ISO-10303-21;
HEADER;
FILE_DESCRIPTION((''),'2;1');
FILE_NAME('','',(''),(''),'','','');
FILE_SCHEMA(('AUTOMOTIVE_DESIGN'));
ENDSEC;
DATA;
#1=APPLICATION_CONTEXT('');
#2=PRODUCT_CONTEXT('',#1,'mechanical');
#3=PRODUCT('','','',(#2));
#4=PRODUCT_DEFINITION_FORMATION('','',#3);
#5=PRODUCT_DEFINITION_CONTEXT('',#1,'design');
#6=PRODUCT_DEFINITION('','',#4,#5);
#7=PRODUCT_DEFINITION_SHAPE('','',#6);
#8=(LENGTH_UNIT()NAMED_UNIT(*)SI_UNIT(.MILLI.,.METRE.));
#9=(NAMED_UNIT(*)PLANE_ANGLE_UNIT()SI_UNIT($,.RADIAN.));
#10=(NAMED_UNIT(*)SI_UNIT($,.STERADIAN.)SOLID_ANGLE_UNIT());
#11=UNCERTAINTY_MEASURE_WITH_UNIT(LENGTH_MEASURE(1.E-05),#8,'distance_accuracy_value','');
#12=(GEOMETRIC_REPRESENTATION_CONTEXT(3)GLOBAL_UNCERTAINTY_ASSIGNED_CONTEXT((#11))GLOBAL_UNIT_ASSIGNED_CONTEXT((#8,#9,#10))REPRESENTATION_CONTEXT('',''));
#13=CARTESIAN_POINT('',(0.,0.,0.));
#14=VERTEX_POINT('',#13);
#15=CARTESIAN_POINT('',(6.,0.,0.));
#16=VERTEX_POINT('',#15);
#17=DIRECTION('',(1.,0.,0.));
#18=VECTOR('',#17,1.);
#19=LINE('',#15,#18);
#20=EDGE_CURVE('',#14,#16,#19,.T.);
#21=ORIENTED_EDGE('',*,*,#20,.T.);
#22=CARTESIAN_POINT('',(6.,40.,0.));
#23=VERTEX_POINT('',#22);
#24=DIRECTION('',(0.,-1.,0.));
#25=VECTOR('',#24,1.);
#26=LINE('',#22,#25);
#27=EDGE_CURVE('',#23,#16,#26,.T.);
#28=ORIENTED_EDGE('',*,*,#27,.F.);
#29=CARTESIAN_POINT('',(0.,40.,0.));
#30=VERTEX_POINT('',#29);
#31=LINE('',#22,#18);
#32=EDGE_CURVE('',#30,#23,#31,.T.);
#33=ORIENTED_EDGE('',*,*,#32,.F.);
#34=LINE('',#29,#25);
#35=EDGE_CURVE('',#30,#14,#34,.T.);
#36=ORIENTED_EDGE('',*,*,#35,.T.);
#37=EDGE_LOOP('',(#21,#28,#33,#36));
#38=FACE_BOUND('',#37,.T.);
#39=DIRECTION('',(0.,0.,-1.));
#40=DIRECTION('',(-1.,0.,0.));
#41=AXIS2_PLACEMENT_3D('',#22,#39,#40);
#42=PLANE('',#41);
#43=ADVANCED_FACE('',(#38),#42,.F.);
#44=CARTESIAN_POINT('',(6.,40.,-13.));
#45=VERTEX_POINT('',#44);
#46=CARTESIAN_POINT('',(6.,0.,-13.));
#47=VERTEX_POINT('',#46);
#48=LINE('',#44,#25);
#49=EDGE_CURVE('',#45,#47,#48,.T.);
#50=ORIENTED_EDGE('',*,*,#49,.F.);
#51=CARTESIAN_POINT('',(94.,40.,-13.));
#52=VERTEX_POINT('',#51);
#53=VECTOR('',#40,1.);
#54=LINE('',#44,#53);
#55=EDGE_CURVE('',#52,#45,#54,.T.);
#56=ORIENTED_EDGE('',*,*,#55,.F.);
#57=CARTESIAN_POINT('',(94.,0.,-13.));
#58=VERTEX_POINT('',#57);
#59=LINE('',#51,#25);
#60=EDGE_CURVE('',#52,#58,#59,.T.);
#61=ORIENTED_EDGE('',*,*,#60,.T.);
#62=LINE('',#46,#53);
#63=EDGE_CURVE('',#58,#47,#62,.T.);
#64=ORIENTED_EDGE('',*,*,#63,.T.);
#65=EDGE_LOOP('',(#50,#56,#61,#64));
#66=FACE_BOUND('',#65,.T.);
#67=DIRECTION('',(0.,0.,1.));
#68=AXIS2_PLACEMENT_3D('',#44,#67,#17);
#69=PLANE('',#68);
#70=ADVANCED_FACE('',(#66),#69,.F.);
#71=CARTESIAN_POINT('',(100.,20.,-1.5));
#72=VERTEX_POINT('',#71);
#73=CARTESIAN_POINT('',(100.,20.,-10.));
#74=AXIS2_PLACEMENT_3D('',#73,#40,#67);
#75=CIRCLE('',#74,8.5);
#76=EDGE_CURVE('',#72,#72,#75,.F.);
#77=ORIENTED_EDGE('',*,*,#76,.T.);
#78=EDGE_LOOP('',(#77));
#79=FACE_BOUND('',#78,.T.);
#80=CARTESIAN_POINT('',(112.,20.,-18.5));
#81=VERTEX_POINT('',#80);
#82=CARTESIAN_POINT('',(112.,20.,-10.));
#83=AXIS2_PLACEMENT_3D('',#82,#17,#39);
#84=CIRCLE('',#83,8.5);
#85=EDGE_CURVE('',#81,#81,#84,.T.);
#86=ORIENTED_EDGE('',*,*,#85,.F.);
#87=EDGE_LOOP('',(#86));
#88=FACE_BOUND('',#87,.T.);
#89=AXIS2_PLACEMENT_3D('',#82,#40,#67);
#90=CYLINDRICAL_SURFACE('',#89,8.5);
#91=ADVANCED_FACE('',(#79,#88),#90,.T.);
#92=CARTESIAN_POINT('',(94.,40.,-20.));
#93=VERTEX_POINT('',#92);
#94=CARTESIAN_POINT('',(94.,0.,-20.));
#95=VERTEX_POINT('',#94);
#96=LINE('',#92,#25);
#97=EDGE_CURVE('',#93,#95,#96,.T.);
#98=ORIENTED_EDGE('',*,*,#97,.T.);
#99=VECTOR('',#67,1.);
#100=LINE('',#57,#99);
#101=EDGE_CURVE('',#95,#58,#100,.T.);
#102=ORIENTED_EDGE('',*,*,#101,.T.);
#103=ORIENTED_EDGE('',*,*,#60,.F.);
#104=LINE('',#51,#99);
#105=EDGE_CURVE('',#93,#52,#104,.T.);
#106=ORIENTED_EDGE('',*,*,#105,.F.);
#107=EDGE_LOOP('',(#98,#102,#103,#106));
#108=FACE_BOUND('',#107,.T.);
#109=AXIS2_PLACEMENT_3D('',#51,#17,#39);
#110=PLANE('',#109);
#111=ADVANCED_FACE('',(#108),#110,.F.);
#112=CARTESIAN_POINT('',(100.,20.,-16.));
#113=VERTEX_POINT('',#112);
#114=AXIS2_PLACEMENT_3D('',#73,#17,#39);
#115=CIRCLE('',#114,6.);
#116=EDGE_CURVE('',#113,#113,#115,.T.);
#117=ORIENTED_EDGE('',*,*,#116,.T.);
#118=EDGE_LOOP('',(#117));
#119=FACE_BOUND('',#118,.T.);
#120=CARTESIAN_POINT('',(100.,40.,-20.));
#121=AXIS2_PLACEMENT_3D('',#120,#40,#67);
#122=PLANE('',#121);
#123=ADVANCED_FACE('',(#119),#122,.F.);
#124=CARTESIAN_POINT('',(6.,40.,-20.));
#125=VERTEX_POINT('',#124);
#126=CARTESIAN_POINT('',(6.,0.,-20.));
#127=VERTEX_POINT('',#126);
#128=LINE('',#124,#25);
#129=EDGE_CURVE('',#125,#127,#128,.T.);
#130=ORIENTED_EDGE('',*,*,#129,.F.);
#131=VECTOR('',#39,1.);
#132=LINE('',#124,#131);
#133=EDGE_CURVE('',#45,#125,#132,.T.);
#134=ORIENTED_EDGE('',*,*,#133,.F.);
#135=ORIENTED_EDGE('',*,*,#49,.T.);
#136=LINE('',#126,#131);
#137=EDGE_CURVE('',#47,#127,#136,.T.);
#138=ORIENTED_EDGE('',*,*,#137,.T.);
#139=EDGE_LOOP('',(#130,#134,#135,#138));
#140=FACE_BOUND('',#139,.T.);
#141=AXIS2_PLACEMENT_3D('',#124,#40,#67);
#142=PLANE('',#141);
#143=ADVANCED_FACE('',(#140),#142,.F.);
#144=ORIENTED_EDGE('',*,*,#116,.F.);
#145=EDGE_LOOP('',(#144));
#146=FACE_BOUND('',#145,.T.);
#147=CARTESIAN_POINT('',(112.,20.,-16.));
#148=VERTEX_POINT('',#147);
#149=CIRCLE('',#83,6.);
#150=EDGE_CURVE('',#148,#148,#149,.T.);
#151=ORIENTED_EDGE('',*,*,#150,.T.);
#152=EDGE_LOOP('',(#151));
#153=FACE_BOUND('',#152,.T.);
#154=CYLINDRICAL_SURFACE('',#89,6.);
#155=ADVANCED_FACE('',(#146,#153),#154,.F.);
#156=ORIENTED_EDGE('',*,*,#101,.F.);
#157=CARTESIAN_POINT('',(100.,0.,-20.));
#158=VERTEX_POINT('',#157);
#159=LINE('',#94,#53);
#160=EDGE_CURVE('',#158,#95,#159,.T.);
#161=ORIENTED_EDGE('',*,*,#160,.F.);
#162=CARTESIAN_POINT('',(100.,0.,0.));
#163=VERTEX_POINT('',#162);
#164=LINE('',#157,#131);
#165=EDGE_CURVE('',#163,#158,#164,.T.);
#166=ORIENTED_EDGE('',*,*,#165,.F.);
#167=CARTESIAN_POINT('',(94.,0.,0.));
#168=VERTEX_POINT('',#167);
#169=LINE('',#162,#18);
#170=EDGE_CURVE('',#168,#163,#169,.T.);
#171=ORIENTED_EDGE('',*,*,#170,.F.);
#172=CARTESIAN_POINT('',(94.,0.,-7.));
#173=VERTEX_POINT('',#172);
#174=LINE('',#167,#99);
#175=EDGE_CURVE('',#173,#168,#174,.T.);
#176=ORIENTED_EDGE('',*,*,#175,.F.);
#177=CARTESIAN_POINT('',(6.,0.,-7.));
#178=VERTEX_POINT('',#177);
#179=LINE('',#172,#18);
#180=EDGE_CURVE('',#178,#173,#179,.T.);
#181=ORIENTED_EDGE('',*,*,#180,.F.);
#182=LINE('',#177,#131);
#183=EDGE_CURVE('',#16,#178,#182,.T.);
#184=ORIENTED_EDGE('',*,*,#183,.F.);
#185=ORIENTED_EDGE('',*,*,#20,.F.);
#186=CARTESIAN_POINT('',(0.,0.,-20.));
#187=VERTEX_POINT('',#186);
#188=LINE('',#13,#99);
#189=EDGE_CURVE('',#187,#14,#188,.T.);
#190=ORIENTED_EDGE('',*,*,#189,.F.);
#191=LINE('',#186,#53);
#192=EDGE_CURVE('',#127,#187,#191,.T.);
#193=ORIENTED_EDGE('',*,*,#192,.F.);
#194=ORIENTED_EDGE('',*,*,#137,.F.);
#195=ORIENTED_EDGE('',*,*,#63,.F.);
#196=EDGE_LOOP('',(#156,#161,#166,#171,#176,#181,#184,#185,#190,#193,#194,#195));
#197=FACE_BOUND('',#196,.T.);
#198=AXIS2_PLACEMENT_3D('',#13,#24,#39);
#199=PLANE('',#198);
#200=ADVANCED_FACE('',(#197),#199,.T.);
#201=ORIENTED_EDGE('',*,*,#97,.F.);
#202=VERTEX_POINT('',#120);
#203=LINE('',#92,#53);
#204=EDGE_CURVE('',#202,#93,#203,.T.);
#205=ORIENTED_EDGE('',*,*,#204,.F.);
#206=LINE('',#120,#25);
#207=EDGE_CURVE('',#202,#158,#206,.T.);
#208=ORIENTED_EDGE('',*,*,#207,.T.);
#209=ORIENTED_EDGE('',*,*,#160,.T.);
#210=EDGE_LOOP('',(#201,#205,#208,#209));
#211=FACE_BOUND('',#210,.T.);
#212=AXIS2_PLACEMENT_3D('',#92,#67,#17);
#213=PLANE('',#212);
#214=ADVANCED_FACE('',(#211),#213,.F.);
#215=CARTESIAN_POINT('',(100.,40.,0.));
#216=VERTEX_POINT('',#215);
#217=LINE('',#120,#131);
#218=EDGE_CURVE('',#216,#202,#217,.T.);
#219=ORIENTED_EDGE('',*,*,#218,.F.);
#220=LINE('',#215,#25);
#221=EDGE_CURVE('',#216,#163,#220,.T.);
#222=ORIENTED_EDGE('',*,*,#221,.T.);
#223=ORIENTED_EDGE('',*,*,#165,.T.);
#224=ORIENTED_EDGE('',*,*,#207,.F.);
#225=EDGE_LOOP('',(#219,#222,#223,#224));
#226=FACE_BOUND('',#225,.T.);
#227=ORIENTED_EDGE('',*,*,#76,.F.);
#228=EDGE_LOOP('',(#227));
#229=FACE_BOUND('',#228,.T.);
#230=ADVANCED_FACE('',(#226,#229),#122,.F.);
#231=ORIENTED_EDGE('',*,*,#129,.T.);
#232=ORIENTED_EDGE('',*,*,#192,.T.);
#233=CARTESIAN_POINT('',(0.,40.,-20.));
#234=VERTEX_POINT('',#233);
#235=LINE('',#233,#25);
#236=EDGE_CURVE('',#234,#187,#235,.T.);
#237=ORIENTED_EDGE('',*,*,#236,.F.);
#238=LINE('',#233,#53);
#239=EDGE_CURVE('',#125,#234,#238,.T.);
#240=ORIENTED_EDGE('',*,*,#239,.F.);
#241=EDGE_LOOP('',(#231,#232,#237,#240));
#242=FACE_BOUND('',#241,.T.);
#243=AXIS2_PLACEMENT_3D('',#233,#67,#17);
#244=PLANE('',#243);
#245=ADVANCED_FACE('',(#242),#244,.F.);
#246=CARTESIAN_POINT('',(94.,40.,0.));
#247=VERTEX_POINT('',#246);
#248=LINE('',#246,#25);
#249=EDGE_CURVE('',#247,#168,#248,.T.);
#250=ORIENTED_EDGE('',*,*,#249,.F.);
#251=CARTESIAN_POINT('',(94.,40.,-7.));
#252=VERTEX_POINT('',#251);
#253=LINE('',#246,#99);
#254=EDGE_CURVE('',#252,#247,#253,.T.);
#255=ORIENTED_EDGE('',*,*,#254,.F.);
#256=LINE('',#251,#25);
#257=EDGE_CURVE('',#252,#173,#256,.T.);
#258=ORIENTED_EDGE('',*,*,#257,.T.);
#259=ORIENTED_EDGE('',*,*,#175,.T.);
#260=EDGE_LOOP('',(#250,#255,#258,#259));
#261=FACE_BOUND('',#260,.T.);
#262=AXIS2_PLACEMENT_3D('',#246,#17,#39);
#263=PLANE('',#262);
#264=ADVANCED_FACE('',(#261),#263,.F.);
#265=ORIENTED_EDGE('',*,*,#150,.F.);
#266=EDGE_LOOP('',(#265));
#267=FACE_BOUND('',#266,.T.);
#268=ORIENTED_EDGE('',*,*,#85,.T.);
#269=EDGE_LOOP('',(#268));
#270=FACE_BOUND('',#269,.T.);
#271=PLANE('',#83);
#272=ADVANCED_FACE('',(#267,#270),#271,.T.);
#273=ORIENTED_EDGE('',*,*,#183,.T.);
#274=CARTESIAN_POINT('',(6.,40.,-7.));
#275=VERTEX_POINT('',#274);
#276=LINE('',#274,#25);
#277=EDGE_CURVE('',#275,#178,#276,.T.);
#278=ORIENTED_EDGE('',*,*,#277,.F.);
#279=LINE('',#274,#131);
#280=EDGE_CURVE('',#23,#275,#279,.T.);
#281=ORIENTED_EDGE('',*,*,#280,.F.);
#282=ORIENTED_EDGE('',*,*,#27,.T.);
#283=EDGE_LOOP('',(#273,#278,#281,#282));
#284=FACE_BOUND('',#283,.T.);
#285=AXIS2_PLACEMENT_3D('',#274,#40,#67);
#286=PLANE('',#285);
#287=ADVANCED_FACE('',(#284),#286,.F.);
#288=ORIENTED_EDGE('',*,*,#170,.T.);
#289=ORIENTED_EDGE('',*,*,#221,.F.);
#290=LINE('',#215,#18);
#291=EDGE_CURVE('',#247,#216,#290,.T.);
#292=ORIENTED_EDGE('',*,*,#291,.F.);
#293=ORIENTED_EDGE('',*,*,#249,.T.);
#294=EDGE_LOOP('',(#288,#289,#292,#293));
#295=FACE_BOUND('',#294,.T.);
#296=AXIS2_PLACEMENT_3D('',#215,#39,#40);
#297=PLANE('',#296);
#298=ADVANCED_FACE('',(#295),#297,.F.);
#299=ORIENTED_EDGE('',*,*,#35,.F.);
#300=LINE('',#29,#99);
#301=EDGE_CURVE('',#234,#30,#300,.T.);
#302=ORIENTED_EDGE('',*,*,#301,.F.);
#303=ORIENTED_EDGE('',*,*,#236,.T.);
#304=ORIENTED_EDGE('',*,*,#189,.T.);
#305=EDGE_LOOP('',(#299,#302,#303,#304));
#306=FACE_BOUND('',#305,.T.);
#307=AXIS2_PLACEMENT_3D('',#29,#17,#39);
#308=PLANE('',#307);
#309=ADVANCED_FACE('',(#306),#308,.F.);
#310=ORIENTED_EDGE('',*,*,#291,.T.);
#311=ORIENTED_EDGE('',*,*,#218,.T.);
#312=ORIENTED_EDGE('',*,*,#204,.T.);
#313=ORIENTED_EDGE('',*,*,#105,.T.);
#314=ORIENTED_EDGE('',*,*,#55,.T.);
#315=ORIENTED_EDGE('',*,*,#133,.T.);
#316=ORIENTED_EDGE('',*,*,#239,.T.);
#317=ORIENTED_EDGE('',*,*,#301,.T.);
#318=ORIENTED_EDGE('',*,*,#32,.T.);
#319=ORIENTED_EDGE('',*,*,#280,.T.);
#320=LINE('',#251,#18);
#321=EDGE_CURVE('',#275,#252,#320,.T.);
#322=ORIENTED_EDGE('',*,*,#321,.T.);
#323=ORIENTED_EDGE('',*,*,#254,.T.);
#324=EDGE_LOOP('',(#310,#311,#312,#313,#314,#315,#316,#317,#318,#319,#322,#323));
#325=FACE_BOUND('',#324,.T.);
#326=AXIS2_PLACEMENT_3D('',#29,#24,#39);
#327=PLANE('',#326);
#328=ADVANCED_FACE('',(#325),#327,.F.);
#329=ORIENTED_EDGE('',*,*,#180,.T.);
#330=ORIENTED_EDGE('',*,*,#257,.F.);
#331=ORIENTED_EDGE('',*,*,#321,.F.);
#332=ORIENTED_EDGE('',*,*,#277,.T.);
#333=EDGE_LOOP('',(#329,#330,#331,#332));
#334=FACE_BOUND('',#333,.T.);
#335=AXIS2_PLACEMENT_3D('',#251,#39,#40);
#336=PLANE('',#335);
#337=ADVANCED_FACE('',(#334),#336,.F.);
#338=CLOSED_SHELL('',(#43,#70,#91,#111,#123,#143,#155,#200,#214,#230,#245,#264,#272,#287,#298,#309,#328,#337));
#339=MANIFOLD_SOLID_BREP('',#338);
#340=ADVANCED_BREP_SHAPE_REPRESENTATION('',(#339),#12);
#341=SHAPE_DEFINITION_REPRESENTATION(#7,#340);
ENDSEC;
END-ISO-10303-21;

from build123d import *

# Parameters (mm, degrees)
BODY_DEPTH   = 40
SKETCH2_R    = 8.5
SKETCH2_R_2  = 6
NOZZLE_DEPTH = 12


with BuildPart() as part:
    # Sketch1 → Body (new body)
    with BuildSketch(Plane(origin=(0, 0, 0), x_dir=(1, 0, 0), z_dir=(0, 1, 0))):
        Polygon((0, 0), (0, 20), (6, 20), (6, 13), (94, 13), (94, 20), (100, 20), (100, 0), (94, 0), (94, 7), (6, 7), (6, 0), align=None)
    extrude(amount=BODY_DEPTH)

    # Sketch2 → Nozzle (add)
    with BuildSketch(Plane(origin=(100, 0, 0), x_dir=(0, 0, -1), z_dir=(1, 0, 0))):
        with Locations((10, 20)):
            Circle(SKETCH2_R)
        with Locations((10, 20)):
            Circle(SKETCH2_R_2, mode=Mode.SUBTRACT)
    extrude(amount=NOZZLE_DEPTH)


solid = part.part
